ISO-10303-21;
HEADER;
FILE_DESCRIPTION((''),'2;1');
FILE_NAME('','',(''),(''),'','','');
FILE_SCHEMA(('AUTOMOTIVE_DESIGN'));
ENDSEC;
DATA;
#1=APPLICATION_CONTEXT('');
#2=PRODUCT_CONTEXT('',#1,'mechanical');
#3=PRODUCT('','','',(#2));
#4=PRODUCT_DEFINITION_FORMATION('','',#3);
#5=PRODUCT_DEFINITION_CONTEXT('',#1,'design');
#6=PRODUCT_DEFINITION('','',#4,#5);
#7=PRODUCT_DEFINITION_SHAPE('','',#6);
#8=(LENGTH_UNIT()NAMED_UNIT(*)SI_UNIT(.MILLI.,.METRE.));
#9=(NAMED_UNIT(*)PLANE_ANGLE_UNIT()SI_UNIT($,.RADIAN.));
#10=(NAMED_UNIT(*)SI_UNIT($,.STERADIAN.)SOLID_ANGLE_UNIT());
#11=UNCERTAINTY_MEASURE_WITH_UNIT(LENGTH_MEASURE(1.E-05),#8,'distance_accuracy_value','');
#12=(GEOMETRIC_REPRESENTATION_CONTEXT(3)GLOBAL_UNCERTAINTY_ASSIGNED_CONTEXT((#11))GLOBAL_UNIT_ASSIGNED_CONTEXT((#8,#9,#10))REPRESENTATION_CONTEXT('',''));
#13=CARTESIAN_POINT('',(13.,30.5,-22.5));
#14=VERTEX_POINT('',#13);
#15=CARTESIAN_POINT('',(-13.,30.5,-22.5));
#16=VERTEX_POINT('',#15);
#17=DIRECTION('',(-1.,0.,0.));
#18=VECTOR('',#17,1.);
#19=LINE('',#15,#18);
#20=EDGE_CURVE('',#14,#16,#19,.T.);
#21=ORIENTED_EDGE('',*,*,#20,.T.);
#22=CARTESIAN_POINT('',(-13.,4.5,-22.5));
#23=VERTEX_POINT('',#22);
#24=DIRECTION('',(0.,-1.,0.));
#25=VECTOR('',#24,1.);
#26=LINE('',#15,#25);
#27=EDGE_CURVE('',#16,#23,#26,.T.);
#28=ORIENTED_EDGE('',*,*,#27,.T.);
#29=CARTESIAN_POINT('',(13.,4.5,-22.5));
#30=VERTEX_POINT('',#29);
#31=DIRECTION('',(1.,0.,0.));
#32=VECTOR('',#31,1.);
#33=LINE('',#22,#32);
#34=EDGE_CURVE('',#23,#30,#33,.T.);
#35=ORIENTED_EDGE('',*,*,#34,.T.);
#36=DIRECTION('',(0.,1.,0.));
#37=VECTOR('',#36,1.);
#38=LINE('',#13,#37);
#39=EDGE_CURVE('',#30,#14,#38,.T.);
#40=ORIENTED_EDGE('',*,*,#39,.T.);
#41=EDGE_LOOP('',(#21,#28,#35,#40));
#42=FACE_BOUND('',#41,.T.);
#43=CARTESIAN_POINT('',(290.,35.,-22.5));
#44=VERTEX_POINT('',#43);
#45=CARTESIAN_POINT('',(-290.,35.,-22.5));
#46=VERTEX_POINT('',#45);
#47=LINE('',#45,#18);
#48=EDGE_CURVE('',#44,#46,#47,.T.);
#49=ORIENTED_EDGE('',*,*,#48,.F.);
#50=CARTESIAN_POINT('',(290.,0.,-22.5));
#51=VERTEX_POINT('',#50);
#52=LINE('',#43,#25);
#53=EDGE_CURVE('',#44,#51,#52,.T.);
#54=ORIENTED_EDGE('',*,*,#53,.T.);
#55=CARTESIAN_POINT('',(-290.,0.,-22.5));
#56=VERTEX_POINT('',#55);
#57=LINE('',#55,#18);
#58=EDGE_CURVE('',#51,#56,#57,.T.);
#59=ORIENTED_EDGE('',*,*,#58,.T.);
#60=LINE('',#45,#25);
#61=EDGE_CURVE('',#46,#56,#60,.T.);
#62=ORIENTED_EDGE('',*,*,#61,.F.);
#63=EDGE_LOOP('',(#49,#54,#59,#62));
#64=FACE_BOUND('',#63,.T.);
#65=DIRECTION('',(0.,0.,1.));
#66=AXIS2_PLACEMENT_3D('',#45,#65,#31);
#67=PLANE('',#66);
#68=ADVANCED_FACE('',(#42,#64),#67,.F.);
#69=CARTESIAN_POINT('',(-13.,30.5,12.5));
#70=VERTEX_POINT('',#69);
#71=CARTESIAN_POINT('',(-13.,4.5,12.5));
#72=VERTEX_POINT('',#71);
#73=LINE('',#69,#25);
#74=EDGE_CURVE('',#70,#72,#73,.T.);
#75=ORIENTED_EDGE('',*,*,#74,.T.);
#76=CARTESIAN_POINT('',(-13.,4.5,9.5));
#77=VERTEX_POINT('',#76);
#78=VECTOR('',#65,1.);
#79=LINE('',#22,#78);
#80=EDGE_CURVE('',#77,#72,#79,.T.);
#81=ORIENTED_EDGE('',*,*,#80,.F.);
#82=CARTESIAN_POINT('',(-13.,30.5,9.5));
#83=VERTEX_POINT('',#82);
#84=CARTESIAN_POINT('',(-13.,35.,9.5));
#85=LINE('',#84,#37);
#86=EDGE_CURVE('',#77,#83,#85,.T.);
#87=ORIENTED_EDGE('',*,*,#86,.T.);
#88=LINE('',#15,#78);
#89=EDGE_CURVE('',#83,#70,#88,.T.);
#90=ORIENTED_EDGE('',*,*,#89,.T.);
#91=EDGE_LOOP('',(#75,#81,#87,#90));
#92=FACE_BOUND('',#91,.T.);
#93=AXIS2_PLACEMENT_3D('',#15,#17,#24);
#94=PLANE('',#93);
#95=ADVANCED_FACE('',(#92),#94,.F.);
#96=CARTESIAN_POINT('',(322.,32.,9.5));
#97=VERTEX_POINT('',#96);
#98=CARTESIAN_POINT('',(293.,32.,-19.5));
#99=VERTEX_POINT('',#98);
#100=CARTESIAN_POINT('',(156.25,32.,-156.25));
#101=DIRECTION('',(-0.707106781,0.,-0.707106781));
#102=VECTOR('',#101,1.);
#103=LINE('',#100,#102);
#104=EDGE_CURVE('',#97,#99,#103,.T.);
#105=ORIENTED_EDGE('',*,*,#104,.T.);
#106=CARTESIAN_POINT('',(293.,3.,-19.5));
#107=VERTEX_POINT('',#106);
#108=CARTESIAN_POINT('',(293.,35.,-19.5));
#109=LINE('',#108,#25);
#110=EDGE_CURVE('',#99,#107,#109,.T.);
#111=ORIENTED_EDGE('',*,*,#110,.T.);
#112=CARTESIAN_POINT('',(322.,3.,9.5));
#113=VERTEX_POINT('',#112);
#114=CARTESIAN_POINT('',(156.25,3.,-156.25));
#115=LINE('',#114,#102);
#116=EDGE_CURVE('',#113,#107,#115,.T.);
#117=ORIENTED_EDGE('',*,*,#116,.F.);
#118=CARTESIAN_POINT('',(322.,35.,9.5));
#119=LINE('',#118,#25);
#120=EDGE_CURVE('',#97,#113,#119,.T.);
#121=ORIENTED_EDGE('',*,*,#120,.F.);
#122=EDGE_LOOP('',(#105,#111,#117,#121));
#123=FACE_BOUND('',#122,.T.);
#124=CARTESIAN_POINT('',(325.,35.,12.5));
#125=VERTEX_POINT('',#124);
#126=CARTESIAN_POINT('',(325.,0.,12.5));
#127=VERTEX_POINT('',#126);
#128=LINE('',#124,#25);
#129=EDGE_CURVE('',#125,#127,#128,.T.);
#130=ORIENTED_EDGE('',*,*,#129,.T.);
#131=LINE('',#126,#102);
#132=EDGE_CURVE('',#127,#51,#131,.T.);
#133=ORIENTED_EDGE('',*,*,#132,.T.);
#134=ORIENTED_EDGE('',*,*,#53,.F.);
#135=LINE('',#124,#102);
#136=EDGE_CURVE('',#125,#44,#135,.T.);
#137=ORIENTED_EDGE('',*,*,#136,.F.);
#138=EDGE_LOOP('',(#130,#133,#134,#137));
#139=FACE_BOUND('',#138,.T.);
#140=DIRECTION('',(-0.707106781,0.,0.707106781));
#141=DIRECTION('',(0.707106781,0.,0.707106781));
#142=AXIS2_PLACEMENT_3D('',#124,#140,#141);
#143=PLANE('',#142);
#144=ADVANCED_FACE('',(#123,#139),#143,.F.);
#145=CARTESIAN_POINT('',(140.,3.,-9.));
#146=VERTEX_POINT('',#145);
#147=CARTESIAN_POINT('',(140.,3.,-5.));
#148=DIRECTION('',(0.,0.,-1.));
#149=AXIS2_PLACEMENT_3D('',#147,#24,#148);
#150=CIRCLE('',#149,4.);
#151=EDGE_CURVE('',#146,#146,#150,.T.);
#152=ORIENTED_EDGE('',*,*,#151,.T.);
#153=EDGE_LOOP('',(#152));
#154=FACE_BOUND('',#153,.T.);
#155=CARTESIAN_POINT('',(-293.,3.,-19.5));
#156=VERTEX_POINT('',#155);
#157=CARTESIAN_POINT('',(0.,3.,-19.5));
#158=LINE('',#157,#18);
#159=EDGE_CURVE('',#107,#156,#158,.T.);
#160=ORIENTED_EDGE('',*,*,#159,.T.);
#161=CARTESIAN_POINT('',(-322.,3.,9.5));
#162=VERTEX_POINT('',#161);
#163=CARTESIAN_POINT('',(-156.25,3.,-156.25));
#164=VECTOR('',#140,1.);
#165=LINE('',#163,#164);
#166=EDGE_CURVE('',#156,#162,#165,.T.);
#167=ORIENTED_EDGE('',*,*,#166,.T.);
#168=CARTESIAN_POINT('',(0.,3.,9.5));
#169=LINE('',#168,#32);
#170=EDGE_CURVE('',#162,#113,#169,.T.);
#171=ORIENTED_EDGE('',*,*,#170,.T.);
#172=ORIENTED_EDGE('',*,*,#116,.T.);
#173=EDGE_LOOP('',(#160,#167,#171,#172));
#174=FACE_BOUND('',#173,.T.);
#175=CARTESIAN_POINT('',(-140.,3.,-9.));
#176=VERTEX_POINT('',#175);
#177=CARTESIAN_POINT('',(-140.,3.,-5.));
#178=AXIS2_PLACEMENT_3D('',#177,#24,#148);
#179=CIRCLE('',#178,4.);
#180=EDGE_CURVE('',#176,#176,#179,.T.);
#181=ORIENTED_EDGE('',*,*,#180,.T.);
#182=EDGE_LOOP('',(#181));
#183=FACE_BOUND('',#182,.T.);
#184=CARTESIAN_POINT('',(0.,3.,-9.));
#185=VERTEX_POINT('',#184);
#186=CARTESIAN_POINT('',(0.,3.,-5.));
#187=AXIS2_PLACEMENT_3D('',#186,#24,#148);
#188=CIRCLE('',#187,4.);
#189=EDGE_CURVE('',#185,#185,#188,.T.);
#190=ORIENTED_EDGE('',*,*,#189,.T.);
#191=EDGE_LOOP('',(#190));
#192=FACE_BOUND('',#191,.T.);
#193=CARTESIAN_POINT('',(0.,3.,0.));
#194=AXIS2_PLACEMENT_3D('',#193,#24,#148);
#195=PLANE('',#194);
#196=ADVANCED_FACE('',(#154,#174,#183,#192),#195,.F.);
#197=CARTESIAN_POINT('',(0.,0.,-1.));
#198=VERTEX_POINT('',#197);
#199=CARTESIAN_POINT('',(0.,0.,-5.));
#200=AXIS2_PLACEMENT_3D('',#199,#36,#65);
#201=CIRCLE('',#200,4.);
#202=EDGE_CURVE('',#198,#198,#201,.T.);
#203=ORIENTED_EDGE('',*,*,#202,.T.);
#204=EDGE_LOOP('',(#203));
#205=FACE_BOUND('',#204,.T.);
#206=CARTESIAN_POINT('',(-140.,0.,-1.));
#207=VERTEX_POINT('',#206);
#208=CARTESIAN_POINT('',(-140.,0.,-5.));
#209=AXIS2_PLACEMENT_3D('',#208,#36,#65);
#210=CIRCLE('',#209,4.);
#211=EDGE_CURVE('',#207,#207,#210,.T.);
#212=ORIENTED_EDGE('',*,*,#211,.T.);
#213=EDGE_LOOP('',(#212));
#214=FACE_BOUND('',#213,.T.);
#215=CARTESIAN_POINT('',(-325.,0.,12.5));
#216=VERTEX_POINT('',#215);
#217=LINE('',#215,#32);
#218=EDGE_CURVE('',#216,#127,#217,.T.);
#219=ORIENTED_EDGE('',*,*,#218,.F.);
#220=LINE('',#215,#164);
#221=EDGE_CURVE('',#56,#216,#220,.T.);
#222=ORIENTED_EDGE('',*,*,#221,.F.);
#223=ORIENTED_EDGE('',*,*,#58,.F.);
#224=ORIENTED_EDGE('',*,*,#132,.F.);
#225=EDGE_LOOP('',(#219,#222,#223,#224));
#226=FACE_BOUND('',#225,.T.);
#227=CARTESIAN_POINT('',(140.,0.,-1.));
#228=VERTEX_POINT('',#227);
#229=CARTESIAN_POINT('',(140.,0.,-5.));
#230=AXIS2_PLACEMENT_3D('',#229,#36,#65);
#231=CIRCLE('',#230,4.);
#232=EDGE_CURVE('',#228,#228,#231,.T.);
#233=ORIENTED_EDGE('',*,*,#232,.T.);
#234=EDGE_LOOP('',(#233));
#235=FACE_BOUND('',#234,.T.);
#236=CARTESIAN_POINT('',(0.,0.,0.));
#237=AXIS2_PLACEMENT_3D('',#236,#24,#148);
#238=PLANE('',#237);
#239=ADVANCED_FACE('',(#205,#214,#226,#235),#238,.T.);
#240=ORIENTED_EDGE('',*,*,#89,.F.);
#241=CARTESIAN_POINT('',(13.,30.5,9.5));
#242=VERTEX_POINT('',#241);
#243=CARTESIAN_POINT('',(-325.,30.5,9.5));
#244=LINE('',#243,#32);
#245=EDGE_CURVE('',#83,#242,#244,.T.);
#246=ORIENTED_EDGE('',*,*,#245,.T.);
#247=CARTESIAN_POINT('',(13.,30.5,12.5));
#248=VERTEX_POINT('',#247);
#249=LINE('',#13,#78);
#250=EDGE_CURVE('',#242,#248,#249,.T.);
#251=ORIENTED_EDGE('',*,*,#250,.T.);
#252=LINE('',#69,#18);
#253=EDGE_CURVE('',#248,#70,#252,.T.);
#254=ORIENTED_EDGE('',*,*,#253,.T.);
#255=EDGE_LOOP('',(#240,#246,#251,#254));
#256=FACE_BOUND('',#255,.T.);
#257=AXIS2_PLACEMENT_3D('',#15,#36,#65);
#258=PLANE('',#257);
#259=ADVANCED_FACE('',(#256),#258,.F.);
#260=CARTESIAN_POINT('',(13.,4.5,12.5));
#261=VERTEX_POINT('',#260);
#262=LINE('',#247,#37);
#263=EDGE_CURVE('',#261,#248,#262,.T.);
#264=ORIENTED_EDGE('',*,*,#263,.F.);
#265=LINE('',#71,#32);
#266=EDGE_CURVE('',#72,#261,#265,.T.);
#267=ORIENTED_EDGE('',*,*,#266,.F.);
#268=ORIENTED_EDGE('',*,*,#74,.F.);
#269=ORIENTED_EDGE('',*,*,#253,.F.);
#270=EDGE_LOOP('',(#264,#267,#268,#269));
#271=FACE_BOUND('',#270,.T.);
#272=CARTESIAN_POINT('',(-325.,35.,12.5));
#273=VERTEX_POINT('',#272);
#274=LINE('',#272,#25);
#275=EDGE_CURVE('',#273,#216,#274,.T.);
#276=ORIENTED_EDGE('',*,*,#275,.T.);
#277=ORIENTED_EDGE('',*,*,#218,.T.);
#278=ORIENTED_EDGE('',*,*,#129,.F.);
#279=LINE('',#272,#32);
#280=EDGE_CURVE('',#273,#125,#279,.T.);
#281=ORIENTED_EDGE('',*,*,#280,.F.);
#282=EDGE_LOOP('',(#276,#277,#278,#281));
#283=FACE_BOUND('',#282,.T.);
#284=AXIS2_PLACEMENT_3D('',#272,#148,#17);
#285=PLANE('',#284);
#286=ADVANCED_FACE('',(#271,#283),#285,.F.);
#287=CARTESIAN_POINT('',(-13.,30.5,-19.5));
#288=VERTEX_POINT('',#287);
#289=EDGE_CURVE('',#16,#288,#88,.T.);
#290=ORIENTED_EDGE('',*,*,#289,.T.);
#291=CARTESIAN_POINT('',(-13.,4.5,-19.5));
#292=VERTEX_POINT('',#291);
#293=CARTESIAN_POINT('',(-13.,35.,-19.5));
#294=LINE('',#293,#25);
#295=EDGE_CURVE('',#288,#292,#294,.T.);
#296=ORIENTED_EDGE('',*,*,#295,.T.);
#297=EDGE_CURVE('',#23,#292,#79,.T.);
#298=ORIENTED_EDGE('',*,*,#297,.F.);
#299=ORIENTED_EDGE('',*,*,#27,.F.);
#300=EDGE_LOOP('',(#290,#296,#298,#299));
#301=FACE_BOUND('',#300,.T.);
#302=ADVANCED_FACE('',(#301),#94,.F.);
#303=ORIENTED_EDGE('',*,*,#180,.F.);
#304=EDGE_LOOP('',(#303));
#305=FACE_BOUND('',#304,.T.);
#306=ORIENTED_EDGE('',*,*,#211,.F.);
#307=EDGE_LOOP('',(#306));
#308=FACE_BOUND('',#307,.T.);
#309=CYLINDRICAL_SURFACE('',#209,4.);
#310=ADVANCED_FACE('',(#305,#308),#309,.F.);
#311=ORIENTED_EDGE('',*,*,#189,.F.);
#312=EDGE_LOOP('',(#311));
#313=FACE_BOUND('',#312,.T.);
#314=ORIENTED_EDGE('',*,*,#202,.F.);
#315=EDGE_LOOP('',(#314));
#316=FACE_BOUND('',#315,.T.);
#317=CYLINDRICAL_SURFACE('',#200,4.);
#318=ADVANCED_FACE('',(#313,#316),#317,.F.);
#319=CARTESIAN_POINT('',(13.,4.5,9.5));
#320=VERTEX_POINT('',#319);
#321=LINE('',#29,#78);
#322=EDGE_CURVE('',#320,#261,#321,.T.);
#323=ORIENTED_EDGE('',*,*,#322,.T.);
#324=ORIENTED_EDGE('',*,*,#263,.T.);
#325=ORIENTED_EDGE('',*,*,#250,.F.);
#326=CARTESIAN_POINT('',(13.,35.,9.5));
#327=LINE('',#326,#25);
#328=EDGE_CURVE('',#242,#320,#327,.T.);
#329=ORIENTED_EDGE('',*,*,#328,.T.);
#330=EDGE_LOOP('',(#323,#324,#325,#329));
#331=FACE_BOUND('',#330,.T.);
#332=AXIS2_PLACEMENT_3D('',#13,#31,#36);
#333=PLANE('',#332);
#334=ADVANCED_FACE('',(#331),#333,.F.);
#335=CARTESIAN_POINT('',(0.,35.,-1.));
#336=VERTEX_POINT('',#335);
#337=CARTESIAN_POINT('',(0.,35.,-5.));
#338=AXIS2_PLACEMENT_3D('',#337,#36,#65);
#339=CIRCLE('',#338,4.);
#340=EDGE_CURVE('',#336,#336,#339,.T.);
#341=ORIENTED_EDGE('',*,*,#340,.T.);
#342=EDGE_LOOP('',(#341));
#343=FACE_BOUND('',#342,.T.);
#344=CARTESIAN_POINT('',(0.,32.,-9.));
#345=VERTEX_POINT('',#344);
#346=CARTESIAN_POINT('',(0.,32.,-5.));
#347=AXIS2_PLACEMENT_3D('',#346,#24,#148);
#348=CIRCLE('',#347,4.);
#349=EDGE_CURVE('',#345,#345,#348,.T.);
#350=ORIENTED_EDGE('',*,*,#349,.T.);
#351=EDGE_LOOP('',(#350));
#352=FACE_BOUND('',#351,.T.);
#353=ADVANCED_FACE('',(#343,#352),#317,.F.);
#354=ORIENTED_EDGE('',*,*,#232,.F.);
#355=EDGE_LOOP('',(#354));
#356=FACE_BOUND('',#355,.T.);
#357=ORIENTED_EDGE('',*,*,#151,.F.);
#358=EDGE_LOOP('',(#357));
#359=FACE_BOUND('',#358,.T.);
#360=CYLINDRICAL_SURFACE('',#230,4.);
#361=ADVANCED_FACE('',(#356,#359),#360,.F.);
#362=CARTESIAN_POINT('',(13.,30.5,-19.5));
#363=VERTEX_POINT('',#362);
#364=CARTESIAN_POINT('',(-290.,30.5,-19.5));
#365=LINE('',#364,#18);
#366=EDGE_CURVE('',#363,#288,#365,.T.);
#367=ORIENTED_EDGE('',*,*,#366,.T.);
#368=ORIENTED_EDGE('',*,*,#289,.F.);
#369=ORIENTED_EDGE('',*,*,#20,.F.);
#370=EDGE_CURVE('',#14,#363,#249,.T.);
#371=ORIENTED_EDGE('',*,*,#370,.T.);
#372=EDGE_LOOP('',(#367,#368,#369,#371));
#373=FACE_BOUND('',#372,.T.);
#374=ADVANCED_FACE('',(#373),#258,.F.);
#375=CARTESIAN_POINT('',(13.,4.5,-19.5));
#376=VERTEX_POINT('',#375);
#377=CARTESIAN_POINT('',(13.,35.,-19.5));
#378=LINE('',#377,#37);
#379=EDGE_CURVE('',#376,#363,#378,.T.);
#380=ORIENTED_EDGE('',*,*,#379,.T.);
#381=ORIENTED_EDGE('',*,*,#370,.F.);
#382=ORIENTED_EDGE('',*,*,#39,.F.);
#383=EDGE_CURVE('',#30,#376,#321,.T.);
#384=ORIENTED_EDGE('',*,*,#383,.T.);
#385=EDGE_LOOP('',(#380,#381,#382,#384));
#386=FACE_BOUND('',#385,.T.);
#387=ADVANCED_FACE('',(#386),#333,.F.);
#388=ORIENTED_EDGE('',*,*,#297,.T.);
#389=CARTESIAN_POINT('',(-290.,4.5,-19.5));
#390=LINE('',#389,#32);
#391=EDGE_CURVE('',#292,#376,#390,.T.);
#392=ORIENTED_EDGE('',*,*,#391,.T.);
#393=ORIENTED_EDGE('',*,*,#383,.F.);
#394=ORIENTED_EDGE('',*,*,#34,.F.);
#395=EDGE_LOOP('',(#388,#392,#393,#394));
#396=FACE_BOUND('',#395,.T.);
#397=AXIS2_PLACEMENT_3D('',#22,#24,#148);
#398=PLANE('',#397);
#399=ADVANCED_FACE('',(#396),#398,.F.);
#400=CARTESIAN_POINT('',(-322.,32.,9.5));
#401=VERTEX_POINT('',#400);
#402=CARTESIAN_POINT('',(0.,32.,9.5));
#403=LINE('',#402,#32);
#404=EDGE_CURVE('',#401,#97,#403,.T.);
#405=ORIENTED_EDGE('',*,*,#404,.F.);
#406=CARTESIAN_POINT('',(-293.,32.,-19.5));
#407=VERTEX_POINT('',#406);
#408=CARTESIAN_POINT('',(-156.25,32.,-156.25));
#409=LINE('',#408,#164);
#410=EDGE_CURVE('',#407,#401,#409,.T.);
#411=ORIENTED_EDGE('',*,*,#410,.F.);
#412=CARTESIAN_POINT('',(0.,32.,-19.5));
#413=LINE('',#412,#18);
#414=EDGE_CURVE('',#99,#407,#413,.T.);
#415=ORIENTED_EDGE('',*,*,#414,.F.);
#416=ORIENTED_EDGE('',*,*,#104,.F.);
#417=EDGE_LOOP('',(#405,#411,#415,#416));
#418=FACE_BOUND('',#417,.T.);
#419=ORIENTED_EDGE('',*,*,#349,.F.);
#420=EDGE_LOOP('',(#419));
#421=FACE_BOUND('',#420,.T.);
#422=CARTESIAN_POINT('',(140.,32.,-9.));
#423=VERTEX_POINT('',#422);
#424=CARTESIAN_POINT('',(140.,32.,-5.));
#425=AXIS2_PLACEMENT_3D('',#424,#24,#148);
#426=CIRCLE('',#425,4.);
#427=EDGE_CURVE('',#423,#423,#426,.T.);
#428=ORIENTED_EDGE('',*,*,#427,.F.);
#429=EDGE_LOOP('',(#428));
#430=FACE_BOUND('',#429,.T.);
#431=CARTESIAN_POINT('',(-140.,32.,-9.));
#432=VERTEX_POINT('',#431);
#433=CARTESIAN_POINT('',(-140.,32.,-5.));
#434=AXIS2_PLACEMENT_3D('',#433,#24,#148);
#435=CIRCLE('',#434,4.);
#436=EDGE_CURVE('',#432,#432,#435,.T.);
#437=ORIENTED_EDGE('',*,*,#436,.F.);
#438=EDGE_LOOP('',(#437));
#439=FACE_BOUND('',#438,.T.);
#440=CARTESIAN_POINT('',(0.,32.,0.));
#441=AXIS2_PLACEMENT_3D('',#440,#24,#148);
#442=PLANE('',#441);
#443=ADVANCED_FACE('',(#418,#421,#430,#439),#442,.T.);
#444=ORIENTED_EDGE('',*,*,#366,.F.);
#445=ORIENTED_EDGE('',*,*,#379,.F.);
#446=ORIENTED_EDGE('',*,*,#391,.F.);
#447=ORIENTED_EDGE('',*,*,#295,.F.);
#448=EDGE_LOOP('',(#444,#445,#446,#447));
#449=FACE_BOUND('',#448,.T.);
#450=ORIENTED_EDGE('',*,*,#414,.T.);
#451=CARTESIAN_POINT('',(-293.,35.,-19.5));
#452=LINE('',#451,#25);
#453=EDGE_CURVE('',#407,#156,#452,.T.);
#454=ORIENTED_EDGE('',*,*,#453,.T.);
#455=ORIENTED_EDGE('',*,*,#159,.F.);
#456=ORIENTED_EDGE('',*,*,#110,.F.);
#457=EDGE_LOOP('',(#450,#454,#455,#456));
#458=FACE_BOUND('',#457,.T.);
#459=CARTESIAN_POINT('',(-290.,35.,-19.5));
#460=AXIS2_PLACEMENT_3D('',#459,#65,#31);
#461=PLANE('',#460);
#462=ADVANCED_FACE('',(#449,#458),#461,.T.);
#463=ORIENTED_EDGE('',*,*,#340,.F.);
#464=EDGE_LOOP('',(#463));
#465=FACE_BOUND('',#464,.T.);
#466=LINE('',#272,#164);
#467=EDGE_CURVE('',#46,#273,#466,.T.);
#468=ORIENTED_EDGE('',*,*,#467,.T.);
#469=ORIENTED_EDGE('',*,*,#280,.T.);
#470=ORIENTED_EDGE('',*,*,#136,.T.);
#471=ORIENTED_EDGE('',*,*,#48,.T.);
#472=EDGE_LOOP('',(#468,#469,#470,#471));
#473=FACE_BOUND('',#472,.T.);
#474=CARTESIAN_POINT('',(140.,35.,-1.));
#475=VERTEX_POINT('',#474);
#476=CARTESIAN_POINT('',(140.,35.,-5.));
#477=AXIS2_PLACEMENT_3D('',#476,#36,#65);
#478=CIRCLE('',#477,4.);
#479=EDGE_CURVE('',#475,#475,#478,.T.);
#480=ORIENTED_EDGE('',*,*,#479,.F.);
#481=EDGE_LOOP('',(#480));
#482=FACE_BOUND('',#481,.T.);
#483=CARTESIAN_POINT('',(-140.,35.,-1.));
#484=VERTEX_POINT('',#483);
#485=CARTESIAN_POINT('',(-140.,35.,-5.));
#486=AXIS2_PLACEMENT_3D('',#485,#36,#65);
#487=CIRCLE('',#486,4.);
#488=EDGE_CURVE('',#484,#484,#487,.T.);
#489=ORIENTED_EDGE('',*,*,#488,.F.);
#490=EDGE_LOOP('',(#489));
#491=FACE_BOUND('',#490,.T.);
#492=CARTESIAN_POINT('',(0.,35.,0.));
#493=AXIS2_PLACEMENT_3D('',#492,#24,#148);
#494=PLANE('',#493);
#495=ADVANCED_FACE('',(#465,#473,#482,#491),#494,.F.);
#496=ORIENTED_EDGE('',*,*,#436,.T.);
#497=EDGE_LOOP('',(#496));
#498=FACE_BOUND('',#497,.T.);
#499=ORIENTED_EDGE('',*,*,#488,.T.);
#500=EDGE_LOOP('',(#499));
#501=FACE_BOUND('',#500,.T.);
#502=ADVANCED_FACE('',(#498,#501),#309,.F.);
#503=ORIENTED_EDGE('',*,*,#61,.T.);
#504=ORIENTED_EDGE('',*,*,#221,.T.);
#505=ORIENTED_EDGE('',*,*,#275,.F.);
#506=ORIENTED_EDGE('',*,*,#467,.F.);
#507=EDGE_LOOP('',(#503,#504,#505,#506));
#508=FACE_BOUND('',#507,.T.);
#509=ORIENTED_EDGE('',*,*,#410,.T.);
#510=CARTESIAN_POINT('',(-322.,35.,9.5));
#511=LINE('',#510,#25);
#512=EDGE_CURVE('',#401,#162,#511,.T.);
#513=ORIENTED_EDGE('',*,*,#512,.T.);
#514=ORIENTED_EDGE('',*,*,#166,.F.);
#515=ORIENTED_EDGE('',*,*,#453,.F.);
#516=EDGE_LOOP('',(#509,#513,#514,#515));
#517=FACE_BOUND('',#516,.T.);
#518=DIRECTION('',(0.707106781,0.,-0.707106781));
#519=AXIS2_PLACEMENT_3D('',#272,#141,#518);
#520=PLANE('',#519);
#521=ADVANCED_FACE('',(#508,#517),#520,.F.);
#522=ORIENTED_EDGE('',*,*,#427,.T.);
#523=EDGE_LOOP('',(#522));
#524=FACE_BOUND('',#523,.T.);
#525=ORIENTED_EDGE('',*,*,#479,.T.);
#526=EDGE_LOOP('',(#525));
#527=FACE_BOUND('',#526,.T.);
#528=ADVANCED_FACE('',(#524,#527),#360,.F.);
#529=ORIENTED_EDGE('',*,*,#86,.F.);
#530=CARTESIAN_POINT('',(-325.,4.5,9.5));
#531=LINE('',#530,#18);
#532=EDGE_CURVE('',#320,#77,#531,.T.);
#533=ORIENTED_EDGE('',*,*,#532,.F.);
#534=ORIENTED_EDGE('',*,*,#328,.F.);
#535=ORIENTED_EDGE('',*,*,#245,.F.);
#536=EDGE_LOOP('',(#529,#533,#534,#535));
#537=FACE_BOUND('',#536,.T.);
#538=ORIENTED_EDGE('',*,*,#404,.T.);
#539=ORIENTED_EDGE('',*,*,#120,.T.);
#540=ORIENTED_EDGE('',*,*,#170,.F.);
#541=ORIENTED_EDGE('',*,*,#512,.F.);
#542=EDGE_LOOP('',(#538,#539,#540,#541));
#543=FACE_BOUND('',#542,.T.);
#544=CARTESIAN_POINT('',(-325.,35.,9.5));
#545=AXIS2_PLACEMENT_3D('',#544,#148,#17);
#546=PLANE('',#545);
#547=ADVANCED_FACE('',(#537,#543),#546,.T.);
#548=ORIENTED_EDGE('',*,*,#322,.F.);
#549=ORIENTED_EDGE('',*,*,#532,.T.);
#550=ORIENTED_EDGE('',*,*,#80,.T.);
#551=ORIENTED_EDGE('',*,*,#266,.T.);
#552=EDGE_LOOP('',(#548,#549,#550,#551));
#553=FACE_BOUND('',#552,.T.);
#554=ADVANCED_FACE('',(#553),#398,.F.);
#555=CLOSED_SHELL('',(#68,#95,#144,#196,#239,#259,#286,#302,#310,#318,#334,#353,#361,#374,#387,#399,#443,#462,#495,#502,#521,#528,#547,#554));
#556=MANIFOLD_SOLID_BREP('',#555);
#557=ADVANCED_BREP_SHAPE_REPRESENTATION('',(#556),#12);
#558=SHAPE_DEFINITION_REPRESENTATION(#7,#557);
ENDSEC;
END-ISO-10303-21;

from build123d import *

# Parameters (mm, degrees)
BOSS_EXTRUDE1_DEPTH = 35
SHELL1_T            = -3
SKETCH2_W           = 26
SKETCH2_H           = 26
CUT_EXTRUDE1_DEPTH  = 36
SKETCH3_R           = 4
CUT_EXTRUDE2_DEPTH  = 36


with BuildPart() as part:
    # Sketch1 → Boss-Extrude1 (new body)
    with BuildSketch(Plane(origin=(0, 0, 0), x_dir=(1, 0, 0), z_dir=(0, 1, 0))):
        Polygon((-325, -12.5), (-290, 22.5), (290, 22.5), (325, -12.5), align=None)
    extrude(amount=BOSS_EXTRUDE1_DEPTH)

    # Shell1
    shell1_openings = [part.faces().sort_by_distance(p)[0] for p in [
        (-307.5, 17.5, -5),
        (307.5, 17.5, -5),
    ]]
    offset(amount=SHELL1_T, openings=shell1_openings, kind=Kind.INTERSECTION)

    # Sketch2 → Cut-Extrude1 (cut, through all)
    with BuildSketch(Plane.XY.offset(12.5)):
        with Locations((0, 17.5)):
            Rectangle(SKETCH2_W, SKETCH2_H)
    extrude(amount=-CUT_EXTRUDE1_DEPTH, mode=Mode.SUBTRACT)

    # Sketch3 → Cut-Extrude2 (cut, through all)
    with BuildSketch(Plane(origin=(0, 35, 0), x_dir=(1, 0, 0), z_dir=(0, 1, 0))):
        with Locations((0, 5)):
            Circle(SKETCH3_R)
        with Locations((140, 5)):
            Circle(SKETCH3_R)
        with Locations((-140, 5)):
            Circle(SKETCH3_R)
    extrude(amount=-CUT_EXTRUDE2_DEPTH, mode=Mode.SUBTRACT)


solid = part.part
